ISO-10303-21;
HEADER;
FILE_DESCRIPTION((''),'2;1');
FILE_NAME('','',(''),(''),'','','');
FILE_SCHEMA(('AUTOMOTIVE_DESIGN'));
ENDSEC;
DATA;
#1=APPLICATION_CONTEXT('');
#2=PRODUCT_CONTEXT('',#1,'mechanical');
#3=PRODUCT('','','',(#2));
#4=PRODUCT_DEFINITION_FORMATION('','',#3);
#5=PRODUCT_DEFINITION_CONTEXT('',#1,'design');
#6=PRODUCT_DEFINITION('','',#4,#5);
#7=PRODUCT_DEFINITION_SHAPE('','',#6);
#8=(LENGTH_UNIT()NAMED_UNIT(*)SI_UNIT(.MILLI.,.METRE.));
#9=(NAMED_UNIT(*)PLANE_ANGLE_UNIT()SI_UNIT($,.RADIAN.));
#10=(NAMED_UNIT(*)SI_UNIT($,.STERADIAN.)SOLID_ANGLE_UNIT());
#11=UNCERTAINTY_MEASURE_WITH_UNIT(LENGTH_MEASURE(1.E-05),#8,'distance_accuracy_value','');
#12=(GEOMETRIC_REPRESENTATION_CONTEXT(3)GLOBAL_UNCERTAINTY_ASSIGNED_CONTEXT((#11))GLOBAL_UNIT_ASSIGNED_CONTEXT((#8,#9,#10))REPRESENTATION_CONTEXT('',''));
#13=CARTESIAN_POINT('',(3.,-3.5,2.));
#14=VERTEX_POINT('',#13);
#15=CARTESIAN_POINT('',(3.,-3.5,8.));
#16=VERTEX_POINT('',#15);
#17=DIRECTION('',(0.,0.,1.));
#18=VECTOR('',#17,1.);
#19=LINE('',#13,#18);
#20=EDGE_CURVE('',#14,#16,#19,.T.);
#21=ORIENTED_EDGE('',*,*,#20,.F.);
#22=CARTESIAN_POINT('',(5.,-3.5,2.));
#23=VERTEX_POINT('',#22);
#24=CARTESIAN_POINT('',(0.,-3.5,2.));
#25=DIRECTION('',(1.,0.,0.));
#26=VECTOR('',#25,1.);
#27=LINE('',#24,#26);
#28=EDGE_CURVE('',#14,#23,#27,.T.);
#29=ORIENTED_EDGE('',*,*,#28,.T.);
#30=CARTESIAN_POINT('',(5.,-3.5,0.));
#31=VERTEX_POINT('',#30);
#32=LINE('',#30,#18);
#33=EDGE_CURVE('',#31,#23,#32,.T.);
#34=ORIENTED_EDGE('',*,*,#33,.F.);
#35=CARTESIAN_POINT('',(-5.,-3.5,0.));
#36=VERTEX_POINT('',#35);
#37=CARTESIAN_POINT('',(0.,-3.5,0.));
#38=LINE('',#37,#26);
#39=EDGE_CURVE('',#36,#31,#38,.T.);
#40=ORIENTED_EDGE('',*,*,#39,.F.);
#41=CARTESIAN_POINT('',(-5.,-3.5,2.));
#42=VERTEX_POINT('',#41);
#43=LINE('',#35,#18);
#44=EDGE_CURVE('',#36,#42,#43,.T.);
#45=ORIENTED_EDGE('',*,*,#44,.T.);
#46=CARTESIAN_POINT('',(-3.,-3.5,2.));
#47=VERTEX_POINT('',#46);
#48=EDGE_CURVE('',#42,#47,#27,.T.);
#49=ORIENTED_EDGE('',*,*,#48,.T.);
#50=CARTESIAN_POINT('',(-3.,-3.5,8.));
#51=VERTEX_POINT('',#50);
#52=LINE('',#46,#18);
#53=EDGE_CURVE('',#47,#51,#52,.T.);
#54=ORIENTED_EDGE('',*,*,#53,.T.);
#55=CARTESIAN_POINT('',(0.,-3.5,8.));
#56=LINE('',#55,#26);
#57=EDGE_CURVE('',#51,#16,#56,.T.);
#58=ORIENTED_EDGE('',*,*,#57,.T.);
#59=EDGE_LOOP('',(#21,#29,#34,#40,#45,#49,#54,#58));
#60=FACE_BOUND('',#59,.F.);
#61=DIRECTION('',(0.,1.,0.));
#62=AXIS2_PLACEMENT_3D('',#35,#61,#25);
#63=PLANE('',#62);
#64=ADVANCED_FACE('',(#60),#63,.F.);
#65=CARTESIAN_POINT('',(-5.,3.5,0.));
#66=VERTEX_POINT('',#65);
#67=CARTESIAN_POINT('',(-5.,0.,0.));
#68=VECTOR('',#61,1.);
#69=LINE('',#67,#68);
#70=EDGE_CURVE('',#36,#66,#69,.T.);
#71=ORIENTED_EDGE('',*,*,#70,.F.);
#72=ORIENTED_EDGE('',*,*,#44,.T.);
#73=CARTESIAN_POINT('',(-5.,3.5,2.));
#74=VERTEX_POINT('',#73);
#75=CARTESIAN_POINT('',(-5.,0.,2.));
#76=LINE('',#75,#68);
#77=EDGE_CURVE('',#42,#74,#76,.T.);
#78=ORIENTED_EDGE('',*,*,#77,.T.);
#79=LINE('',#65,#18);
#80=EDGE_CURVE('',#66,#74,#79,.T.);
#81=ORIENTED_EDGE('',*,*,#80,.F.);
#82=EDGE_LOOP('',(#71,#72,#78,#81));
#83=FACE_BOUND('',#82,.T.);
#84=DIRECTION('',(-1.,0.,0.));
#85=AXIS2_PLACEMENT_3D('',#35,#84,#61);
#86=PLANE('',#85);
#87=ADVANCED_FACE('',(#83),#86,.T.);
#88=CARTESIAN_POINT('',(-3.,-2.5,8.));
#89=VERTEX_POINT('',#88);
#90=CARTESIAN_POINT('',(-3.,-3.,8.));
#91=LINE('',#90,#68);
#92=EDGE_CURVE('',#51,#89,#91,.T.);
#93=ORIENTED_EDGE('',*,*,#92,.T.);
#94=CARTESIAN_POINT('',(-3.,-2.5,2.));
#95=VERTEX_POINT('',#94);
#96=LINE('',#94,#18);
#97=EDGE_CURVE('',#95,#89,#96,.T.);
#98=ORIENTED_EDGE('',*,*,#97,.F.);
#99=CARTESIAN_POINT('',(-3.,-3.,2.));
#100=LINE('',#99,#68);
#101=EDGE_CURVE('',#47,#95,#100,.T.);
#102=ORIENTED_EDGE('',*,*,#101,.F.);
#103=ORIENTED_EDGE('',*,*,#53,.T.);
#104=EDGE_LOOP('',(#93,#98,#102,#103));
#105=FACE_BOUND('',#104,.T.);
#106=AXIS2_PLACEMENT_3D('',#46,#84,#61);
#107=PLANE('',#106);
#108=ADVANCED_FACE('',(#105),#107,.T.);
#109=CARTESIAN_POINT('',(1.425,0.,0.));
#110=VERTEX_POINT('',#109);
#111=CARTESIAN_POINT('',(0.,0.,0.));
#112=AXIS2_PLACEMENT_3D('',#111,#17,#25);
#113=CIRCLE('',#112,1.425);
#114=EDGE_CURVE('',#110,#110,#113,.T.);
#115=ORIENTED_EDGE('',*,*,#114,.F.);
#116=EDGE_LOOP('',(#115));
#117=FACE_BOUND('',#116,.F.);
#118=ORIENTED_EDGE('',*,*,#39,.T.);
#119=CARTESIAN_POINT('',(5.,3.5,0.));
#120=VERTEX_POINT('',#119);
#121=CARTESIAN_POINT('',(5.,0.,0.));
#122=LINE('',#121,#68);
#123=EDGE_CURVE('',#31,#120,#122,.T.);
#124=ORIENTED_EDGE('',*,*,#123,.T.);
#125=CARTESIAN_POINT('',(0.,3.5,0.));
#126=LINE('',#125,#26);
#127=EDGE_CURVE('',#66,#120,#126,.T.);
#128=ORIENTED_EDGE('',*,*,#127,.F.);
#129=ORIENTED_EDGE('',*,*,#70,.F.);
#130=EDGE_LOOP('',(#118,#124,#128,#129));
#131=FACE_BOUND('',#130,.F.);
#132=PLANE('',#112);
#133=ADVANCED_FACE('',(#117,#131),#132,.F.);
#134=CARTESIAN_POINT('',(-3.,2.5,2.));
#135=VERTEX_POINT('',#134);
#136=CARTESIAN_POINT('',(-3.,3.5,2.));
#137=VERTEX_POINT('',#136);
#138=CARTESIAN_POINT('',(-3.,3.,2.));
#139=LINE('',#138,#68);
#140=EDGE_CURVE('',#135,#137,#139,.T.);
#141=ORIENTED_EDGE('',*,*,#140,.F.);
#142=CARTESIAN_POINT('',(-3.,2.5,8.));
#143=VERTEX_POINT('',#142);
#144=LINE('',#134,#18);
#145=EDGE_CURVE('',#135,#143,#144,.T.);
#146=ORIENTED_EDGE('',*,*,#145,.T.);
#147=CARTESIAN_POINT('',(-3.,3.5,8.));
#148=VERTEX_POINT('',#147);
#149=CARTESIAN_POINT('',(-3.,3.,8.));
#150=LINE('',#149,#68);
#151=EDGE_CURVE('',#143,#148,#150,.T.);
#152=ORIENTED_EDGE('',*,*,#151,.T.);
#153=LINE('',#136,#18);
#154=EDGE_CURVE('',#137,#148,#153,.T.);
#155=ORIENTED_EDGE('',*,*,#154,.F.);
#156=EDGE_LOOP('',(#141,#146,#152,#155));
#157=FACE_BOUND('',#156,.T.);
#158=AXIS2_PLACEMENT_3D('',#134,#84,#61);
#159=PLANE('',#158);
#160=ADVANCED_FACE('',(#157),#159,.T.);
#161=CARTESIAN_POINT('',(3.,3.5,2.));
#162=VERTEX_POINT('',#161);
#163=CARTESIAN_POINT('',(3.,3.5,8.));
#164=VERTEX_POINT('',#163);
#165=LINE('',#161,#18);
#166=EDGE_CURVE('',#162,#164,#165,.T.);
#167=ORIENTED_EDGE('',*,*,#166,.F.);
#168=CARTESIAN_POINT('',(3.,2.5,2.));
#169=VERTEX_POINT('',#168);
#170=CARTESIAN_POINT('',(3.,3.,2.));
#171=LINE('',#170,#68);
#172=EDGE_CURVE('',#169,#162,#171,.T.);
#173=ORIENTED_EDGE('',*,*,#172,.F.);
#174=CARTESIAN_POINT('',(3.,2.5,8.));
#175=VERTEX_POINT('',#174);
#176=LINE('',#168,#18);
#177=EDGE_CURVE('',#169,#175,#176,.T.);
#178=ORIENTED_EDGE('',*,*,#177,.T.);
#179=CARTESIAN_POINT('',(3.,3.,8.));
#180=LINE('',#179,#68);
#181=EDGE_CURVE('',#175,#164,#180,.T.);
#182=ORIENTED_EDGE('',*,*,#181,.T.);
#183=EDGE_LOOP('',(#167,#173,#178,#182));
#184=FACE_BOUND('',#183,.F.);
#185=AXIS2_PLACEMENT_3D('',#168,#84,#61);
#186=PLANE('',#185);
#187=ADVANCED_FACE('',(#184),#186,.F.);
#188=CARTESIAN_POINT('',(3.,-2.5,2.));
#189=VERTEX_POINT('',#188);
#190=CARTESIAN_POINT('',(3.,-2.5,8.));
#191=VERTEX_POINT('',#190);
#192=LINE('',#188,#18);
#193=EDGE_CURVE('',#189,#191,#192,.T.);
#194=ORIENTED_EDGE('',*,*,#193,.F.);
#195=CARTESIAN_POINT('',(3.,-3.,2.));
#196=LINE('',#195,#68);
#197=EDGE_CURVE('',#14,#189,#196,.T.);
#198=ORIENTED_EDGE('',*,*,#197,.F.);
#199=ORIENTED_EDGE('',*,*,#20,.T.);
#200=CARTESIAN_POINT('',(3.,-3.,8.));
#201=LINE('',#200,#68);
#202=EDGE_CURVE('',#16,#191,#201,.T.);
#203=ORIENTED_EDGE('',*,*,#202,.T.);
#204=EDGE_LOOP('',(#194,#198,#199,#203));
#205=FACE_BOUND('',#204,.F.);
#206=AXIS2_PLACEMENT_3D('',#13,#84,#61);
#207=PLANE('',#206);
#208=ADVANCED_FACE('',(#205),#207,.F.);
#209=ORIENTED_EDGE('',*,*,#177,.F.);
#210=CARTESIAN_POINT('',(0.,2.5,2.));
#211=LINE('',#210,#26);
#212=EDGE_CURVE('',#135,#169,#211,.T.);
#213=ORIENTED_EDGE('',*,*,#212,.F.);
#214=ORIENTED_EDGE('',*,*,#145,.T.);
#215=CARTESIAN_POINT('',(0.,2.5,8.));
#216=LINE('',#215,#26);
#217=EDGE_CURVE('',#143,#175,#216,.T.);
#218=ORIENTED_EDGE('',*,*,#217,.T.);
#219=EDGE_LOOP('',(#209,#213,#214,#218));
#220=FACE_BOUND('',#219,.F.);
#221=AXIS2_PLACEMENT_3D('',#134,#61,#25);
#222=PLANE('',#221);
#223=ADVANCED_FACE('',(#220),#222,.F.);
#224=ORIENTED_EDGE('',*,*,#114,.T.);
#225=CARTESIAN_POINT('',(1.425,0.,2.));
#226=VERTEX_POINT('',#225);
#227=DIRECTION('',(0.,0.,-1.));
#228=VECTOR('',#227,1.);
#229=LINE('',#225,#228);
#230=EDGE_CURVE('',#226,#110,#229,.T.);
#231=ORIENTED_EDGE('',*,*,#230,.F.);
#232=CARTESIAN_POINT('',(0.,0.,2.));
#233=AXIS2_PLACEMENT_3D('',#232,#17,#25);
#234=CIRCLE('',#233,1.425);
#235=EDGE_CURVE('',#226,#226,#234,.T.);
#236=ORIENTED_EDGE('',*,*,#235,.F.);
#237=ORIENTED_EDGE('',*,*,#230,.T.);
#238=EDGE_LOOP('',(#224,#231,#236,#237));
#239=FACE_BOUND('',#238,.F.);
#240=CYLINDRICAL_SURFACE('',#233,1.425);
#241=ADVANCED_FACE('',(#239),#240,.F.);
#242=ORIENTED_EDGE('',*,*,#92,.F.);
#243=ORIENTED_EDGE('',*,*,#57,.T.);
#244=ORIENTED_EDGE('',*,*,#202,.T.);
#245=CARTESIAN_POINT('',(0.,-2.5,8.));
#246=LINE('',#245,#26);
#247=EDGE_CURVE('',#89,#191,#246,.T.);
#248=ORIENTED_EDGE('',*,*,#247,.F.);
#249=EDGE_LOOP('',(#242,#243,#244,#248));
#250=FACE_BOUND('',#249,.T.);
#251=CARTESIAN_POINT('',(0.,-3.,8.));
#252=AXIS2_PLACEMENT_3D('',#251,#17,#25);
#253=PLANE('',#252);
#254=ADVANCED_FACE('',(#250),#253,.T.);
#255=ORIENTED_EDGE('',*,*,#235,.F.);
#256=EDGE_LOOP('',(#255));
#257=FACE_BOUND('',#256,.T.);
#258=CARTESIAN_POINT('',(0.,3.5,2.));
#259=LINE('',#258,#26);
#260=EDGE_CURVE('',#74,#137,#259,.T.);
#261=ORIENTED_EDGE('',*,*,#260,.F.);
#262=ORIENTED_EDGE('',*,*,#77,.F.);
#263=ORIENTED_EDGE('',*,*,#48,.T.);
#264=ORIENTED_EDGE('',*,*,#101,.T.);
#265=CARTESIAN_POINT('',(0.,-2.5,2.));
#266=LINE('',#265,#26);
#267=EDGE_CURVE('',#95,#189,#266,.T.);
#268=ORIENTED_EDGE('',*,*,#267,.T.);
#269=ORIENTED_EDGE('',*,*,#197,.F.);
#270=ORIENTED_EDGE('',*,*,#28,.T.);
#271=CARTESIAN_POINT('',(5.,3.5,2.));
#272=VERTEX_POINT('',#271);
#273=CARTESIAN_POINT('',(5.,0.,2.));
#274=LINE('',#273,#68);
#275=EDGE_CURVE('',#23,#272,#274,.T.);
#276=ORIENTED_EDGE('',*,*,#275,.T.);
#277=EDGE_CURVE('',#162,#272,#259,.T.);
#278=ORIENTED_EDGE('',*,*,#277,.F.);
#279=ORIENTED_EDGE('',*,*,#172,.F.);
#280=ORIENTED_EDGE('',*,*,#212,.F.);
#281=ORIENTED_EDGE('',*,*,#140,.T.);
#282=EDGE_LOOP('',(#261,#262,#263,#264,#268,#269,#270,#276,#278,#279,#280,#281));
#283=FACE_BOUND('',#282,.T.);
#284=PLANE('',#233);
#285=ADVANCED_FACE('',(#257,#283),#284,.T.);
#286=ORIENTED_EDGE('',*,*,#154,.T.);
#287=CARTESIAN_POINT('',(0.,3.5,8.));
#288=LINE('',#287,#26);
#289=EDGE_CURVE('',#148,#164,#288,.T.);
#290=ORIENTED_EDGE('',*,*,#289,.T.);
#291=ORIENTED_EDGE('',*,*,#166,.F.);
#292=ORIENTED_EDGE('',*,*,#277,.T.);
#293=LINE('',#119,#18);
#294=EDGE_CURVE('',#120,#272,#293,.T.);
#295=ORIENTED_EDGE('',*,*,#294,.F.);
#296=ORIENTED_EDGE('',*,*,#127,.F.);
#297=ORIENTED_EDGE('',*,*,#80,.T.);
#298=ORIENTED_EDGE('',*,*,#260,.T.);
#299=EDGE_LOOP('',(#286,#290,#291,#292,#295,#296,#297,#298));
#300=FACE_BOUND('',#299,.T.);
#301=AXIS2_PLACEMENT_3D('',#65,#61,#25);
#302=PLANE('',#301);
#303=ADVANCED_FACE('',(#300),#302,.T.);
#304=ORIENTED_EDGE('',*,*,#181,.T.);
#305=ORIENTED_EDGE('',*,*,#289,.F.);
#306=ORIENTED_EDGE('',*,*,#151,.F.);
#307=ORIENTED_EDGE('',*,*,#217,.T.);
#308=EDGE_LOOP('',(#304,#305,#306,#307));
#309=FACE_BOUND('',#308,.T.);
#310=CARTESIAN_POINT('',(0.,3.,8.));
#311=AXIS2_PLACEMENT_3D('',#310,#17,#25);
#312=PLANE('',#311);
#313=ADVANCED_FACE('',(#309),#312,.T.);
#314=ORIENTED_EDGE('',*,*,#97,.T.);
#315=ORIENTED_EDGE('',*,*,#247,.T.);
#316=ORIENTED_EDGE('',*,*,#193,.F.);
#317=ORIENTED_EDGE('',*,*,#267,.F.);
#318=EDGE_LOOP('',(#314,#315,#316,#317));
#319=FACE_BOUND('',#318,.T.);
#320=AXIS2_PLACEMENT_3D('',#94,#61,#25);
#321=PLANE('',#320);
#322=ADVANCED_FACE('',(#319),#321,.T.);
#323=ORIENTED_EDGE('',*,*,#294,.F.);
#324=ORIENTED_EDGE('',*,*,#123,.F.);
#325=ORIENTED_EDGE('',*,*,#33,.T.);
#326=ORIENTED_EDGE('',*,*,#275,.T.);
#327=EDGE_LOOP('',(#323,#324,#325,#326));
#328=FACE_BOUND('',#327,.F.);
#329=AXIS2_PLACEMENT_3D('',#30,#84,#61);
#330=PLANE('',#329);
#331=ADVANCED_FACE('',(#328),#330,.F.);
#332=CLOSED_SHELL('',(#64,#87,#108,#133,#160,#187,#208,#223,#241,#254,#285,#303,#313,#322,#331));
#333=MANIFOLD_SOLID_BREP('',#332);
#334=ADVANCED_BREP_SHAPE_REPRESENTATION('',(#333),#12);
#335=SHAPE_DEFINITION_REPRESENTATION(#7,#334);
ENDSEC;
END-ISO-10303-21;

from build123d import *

# Parameters (mm, degrees)
SKETCH1_W           = 10
SKETCH1_H           = 7
BOSS_EXTRUDE1_DEPTH = 2
SKETCH2_R           = 1.425
CUT_EXTRUDE1_DEPTH  = 3
SKETCH3_W           = 6
SKETCH3_H           = 1
BOSS_EXTRUDE2_DEPTH = 6


with BuildPart() as part:
    # Sketch1 → Boss-Extrude1 (new body)
    with BuildSketch(Plane.XY):
        Rectangle(SKETCH1_W, SKETCH1_H)
    extrude(amount=BOSS_EXTRUDE1_DEPTH)

    # Sketch2 → Cut-Extrude1 (cut, through all)
    with BuildSketch(Plane.XY.offset(2)):
        Circle(SKETCH2_R)
    extrude(amount=-CUT_EXTRUDE1_DEPTH, mode=Mode.SUBTRACT)

    # Sketch3 → Boss-Extrude2 (add)
    with BuildSketch(Plane.XY.offset(2)):
        with Locations((0, 3)):
            Rectangle(SKETCH3_W, SKETCH3_H)
        with Locations((0, -3)):
            Rectangle(SKETCH3_W, SKETCH3_H)
    extrude(amount=BOSS_EXTRUDE2_DEPTH)


solid = part.part
